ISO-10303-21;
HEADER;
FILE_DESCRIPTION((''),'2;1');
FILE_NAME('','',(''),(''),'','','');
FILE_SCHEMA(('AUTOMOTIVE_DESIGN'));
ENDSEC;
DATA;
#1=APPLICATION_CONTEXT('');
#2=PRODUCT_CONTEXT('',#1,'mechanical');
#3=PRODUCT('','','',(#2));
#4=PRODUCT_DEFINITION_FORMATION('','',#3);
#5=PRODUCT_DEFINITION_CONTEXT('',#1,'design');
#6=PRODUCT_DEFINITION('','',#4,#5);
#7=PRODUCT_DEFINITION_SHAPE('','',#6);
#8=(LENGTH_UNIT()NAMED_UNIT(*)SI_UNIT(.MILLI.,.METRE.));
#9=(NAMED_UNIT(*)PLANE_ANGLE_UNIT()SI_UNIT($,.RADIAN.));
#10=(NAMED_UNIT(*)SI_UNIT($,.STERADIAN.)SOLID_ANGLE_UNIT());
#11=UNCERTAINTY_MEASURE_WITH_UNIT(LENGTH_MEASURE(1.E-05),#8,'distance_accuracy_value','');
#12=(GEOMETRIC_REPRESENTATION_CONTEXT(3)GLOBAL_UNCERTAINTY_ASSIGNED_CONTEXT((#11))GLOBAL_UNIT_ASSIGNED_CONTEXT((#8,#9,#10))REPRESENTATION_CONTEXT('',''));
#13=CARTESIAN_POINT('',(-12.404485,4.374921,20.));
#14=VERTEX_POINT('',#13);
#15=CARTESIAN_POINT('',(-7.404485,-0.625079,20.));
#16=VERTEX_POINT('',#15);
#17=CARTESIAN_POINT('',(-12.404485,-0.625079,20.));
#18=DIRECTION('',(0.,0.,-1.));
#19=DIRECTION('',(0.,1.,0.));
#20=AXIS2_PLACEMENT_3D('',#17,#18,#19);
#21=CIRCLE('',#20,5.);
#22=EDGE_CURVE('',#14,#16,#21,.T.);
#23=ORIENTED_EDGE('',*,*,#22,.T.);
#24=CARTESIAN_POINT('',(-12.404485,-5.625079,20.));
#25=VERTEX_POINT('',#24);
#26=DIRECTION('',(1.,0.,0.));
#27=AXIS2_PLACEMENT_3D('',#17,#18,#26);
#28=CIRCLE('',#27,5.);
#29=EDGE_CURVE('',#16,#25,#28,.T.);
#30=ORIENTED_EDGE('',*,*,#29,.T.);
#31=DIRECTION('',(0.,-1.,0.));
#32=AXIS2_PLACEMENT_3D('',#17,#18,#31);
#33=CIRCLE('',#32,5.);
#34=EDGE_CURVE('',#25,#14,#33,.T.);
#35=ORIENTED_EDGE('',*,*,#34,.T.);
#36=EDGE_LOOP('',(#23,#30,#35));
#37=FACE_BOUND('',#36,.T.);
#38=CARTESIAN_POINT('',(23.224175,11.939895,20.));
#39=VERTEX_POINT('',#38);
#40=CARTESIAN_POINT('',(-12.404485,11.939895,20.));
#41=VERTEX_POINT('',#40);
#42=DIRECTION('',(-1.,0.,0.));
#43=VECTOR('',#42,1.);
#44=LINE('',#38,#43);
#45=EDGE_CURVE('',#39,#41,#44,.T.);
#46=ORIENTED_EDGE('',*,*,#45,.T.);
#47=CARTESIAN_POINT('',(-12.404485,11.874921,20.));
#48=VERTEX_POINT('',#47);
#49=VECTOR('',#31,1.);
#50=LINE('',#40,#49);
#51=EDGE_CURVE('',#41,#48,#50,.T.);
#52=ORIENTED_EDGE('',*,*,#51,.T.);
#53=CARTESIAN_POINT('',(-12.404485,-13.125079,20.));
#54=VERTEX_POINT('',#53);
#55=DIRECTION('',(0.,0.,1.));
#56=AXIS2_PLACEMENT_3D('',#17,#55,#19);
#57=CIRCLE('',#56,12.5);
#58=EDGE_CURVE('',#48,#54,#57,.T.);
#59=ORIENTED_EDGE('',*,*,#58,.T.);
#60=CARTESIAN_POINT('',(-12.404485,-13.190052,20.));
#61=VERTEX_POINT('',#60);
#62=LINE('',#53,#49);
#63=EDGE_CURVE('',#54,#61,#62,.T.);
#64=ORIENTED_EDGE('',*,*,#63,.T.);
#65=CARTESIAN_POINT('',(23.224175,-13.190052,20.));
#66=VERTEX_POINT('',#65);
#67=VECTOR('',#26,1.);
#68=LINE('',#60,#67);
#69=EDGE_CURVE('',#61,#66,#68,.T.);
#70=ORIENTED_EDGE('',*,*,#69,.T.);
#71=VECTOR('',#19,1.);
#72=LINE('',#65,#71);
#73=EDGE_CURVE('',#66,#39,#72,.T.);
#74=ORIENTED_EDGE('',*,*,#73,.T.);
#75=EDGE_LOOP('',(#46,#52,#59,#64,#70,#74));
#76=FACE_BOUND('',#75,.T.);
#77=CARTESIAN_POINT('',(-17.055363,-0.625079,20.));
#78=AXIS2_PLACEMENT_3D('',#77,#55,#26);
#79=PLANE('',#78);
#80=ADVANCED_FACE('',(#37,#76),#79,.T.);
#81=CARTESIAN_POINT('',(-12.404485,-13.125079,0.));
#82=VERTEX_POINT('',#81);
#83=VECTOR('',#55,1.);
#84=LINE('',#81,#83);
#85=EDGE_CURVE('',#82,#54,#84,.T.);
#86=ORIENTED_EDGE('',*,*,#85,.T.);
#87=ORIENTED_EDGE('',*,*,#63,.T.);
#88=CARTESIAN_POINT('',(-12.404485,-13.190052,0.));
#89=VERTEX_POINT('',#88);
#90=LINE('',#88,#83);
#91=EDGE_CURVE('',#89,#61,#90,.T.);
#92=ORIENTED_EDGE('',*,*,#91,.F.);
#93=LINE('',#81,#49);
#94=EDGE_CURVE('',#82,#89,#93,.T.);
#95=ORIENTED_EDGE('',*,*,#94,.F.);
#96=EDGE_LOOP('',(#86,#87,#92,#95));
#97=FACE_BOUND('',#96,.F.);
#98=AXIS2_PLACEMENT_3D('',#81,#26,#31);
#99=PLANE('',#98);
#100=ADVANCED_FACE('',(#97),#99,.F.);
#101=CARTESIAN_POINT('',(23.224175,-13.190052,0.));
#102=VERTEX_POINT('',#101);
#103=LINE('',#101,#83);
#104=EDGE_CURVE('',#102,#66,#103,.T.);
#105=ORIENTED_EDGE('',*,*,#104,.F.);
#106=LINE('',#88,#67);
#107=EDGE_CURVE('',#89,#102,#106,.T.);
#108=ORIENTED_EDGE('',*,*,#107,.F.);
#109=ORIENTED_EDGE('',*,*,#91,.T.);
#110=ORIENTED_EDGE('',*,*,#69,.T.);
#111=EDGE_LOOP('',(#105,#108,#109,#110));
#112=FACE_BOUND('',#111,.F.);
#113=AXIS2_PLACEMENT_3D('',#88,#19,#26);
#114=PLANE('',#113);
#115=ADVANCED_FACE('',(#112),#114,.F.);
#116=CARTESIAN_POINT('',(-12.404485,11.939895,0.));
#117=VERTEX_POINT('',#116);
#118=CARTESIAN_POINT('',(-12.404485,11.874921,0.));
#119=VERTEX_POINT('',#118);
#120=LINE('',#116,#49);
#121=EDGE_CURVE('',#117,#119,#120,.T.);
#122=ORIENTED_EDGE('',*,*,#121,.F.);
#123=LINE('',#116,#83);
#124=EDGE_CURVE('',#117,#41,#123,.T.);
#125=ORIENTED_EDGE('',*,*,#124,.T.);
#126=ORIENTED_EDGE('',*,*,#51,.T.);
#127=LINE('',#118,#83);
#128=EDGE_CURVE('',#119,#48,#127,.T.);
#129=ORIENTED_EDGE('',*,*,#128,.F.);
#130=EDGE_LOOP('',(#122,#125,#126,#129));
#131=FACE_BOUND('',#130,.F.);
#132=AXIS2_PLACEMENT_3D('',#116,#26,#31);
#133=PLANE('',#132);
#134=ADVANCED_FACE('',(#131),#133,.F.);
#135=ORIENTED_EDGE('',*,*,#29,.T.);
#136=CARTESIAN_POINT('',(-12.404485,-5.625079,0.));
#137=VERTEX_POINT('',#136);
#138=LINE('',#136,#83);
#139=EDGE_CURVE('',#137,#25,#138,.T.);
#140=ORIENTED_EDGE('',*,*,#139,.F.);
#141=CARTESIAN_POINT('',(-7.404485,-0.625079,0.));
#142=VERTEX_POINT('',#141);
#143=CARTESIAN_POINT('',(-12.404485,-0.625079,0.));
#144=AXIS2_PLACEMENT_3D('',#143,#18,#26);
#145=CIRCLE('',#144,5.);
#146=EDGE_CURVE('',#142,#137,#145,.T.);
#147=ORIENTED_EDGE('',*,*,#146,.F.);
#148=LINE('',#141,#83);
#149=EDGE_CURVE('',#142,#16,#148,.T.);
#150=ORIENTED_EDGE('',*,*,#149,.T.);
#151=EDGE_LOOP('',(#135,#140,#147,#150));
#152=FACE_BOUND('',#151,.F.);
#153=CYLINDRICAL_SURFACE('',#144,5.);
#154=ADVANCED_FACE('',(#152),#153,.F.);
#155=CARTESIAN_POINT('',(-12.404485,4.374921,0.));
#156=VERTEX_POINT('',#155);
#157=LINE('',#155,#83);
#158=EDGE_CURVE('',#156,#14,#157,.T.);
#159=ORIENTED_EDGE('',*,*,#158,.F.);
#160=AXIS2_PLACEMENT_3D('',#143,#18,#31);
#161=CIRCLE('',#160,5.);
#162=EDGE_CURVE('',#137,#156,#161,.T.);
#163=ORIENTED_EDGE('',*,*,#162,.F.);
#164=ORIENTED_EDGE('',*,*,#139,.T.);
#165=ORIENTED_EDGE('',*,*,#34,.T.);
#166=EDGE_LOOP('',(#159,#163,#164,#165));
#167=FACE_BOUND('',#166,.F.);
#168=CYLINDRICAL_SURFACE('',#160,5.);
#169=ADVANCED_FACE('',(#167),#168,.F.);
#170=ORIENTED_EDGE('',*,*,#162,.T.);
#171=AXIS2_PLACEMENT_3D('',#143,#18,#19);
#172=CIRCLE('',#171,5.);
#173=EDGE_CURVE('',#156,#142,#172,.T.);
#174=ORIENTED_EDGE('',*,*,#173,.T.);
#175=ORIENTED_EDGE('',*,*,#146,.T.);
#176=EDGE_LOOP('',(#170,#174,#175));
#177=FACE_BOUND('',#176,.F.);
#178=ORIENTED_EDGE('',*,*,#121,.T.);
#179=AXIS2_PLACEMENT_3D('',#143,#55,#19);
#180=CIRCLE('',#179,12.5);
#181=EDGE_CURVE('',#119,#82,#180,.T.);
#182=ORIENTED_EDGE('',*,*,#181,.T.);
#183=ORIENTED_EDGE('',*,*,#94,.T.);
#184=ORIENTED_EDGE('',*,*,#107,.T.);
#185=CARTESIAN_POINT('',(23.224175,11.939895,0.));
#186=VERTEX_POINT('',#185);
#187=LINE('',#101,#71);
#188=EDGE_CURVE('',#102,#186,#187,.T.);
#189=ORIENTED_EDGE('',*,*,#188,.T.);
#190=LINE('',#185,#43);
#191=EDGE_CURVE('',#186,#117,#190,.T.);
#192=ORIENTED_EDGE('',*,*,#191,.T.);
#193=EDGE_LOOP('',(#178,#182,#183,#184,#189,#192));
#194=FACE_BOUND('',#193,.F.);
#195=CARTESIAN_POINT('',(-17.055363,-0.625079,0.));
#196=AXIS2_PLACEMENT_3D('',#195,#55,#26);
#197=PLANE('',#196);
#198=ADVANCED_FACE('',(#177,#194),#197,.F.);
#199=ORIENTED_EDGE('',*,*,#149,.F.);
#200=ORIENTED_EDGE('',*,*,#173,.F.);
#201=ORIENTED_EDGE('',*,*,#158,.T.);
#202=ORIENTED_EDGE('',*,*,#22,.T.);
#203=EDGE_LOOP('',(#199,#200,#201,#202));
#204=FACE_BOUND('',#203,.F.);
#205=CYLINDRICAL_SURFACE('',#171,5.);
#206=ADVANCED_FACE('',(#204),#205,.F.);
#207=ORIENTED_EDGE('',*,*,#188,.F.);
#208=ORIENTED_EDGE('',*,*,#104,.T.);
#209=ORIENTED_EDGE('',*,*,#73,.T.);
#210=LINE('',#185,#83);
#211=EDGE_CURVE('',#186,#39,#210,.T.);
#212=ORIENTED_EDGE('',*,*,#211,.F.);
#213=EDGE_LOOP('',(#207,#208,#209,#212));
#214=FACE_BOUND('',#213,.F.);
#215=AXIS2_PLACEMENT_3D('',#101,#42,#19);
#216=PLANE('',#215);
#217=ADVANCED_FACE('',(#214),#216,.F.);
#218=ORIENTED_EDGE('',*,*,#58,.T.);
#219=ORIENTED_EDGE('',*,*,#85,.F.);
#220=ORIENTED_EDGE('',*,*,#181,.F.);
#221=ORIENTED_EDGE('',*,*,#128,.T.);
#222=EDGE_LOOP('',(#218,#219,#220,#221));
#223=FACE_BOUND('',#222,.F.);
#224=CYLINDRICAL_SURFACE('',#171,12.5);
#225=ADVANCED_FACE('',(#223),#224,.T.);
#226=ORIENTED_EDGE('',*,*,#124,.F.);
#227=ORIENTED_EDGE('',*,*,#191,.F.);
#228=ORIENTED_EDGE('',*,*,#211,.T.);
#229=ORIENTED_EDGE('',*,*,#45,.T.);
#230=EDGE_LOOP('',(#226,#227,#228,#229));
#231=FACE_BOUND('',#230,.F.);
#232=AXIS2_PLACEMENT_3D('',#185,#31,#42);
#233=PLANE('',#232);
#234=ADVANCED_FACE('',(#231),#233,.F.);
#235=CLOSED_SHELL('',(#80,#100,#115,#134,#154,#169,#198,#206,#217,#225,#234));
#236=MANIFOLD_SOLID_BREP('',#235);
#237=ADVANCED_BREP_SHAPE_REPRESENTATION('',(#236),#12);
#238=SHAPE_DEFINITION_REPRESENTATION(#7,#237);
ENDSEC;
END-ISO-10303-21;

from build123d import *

# Parameters (mm, degrees)
F1_DEPTH = 20


with BuildPart() as f1:
    # F0 (on Top) → F1 (new body)
    with BuildSketch(Plane.XY):
        with BuildLine():
            Line((-12.4044854931, 4.3749214336), (-12.4044854931, 11.8749214336))
            ThreePointArc((-12.4044854931, 11.8749214336), (-24.9044854931, -0.6250785664), (-12.4044854931, -13.1250785664))
            Line((-12.4044854931, -13.1250785664), (-12.4044854931, -5.6250785664))
            ThreePointArc((-12.4044854931, -5.6250785664), (-17.4044854931, -0.6250785664), (-12.4044854931, 4.3749214336))
        make_face()
        with BuildLine():
            ThreePointArc((0.0955145069, -0.6250785664), (-3.5656507283, 8.2137561985), (-12.4044854931, 11.8749214336))
            Line((-12.4044854931, 11.8749214336), (-12.4044854931, 4.3749214336))
            ThreePointArc((-12.4044854931, 4.3749214336), (-8.8689515872, 2.9104553396), (-7.4044854931, -0.6250785664))
            ThreePointArc((-7.4044854931, -0.6250785664), (-8.8689515872, -4.1606124723), (-12.4044854931, -5.6250785664))
            Line((-12.4044854931, -5.6250785664), (-12.4044854931, -13.1250785664))
            ThreePointArc((-12.4044854931, -13.1250785664), (-3.5656507283, -9.4639133312), (0.0955145069, -0.6250785664))
        make_face()
        with BuildLine():
            Line((23.2241750516, 11.9398952645), (-12.4044854931, 11.9398952645))
            Line((-12.4044854931, 11.9398952645), (-12.4044854931, 11.8749214336))
            ThreePointArc((-12.4044854931, 11.8749214336), (-3.5656507283, 8.2137561985), (0.0955145069, -0.6250785664))
            ThreePointArc((0.0955145069, -0.6250785664), (-3.5656507283, -9.4639133312), (-12.4044854931, -13.1250785664))
            Line((-12.4044854931, -13.1250785664), (-12.4044854931, -13.1900523973))
            Line((-12.4044854931, -13.1900523973), (23.2241750516, -13.1900523973))
            Line((23.2241750516, -13.1900523973), (23.2241750516, 11.9398952645))
        make_face()
    extrude(amount=F1_DEPTH)


solid = f1.part
